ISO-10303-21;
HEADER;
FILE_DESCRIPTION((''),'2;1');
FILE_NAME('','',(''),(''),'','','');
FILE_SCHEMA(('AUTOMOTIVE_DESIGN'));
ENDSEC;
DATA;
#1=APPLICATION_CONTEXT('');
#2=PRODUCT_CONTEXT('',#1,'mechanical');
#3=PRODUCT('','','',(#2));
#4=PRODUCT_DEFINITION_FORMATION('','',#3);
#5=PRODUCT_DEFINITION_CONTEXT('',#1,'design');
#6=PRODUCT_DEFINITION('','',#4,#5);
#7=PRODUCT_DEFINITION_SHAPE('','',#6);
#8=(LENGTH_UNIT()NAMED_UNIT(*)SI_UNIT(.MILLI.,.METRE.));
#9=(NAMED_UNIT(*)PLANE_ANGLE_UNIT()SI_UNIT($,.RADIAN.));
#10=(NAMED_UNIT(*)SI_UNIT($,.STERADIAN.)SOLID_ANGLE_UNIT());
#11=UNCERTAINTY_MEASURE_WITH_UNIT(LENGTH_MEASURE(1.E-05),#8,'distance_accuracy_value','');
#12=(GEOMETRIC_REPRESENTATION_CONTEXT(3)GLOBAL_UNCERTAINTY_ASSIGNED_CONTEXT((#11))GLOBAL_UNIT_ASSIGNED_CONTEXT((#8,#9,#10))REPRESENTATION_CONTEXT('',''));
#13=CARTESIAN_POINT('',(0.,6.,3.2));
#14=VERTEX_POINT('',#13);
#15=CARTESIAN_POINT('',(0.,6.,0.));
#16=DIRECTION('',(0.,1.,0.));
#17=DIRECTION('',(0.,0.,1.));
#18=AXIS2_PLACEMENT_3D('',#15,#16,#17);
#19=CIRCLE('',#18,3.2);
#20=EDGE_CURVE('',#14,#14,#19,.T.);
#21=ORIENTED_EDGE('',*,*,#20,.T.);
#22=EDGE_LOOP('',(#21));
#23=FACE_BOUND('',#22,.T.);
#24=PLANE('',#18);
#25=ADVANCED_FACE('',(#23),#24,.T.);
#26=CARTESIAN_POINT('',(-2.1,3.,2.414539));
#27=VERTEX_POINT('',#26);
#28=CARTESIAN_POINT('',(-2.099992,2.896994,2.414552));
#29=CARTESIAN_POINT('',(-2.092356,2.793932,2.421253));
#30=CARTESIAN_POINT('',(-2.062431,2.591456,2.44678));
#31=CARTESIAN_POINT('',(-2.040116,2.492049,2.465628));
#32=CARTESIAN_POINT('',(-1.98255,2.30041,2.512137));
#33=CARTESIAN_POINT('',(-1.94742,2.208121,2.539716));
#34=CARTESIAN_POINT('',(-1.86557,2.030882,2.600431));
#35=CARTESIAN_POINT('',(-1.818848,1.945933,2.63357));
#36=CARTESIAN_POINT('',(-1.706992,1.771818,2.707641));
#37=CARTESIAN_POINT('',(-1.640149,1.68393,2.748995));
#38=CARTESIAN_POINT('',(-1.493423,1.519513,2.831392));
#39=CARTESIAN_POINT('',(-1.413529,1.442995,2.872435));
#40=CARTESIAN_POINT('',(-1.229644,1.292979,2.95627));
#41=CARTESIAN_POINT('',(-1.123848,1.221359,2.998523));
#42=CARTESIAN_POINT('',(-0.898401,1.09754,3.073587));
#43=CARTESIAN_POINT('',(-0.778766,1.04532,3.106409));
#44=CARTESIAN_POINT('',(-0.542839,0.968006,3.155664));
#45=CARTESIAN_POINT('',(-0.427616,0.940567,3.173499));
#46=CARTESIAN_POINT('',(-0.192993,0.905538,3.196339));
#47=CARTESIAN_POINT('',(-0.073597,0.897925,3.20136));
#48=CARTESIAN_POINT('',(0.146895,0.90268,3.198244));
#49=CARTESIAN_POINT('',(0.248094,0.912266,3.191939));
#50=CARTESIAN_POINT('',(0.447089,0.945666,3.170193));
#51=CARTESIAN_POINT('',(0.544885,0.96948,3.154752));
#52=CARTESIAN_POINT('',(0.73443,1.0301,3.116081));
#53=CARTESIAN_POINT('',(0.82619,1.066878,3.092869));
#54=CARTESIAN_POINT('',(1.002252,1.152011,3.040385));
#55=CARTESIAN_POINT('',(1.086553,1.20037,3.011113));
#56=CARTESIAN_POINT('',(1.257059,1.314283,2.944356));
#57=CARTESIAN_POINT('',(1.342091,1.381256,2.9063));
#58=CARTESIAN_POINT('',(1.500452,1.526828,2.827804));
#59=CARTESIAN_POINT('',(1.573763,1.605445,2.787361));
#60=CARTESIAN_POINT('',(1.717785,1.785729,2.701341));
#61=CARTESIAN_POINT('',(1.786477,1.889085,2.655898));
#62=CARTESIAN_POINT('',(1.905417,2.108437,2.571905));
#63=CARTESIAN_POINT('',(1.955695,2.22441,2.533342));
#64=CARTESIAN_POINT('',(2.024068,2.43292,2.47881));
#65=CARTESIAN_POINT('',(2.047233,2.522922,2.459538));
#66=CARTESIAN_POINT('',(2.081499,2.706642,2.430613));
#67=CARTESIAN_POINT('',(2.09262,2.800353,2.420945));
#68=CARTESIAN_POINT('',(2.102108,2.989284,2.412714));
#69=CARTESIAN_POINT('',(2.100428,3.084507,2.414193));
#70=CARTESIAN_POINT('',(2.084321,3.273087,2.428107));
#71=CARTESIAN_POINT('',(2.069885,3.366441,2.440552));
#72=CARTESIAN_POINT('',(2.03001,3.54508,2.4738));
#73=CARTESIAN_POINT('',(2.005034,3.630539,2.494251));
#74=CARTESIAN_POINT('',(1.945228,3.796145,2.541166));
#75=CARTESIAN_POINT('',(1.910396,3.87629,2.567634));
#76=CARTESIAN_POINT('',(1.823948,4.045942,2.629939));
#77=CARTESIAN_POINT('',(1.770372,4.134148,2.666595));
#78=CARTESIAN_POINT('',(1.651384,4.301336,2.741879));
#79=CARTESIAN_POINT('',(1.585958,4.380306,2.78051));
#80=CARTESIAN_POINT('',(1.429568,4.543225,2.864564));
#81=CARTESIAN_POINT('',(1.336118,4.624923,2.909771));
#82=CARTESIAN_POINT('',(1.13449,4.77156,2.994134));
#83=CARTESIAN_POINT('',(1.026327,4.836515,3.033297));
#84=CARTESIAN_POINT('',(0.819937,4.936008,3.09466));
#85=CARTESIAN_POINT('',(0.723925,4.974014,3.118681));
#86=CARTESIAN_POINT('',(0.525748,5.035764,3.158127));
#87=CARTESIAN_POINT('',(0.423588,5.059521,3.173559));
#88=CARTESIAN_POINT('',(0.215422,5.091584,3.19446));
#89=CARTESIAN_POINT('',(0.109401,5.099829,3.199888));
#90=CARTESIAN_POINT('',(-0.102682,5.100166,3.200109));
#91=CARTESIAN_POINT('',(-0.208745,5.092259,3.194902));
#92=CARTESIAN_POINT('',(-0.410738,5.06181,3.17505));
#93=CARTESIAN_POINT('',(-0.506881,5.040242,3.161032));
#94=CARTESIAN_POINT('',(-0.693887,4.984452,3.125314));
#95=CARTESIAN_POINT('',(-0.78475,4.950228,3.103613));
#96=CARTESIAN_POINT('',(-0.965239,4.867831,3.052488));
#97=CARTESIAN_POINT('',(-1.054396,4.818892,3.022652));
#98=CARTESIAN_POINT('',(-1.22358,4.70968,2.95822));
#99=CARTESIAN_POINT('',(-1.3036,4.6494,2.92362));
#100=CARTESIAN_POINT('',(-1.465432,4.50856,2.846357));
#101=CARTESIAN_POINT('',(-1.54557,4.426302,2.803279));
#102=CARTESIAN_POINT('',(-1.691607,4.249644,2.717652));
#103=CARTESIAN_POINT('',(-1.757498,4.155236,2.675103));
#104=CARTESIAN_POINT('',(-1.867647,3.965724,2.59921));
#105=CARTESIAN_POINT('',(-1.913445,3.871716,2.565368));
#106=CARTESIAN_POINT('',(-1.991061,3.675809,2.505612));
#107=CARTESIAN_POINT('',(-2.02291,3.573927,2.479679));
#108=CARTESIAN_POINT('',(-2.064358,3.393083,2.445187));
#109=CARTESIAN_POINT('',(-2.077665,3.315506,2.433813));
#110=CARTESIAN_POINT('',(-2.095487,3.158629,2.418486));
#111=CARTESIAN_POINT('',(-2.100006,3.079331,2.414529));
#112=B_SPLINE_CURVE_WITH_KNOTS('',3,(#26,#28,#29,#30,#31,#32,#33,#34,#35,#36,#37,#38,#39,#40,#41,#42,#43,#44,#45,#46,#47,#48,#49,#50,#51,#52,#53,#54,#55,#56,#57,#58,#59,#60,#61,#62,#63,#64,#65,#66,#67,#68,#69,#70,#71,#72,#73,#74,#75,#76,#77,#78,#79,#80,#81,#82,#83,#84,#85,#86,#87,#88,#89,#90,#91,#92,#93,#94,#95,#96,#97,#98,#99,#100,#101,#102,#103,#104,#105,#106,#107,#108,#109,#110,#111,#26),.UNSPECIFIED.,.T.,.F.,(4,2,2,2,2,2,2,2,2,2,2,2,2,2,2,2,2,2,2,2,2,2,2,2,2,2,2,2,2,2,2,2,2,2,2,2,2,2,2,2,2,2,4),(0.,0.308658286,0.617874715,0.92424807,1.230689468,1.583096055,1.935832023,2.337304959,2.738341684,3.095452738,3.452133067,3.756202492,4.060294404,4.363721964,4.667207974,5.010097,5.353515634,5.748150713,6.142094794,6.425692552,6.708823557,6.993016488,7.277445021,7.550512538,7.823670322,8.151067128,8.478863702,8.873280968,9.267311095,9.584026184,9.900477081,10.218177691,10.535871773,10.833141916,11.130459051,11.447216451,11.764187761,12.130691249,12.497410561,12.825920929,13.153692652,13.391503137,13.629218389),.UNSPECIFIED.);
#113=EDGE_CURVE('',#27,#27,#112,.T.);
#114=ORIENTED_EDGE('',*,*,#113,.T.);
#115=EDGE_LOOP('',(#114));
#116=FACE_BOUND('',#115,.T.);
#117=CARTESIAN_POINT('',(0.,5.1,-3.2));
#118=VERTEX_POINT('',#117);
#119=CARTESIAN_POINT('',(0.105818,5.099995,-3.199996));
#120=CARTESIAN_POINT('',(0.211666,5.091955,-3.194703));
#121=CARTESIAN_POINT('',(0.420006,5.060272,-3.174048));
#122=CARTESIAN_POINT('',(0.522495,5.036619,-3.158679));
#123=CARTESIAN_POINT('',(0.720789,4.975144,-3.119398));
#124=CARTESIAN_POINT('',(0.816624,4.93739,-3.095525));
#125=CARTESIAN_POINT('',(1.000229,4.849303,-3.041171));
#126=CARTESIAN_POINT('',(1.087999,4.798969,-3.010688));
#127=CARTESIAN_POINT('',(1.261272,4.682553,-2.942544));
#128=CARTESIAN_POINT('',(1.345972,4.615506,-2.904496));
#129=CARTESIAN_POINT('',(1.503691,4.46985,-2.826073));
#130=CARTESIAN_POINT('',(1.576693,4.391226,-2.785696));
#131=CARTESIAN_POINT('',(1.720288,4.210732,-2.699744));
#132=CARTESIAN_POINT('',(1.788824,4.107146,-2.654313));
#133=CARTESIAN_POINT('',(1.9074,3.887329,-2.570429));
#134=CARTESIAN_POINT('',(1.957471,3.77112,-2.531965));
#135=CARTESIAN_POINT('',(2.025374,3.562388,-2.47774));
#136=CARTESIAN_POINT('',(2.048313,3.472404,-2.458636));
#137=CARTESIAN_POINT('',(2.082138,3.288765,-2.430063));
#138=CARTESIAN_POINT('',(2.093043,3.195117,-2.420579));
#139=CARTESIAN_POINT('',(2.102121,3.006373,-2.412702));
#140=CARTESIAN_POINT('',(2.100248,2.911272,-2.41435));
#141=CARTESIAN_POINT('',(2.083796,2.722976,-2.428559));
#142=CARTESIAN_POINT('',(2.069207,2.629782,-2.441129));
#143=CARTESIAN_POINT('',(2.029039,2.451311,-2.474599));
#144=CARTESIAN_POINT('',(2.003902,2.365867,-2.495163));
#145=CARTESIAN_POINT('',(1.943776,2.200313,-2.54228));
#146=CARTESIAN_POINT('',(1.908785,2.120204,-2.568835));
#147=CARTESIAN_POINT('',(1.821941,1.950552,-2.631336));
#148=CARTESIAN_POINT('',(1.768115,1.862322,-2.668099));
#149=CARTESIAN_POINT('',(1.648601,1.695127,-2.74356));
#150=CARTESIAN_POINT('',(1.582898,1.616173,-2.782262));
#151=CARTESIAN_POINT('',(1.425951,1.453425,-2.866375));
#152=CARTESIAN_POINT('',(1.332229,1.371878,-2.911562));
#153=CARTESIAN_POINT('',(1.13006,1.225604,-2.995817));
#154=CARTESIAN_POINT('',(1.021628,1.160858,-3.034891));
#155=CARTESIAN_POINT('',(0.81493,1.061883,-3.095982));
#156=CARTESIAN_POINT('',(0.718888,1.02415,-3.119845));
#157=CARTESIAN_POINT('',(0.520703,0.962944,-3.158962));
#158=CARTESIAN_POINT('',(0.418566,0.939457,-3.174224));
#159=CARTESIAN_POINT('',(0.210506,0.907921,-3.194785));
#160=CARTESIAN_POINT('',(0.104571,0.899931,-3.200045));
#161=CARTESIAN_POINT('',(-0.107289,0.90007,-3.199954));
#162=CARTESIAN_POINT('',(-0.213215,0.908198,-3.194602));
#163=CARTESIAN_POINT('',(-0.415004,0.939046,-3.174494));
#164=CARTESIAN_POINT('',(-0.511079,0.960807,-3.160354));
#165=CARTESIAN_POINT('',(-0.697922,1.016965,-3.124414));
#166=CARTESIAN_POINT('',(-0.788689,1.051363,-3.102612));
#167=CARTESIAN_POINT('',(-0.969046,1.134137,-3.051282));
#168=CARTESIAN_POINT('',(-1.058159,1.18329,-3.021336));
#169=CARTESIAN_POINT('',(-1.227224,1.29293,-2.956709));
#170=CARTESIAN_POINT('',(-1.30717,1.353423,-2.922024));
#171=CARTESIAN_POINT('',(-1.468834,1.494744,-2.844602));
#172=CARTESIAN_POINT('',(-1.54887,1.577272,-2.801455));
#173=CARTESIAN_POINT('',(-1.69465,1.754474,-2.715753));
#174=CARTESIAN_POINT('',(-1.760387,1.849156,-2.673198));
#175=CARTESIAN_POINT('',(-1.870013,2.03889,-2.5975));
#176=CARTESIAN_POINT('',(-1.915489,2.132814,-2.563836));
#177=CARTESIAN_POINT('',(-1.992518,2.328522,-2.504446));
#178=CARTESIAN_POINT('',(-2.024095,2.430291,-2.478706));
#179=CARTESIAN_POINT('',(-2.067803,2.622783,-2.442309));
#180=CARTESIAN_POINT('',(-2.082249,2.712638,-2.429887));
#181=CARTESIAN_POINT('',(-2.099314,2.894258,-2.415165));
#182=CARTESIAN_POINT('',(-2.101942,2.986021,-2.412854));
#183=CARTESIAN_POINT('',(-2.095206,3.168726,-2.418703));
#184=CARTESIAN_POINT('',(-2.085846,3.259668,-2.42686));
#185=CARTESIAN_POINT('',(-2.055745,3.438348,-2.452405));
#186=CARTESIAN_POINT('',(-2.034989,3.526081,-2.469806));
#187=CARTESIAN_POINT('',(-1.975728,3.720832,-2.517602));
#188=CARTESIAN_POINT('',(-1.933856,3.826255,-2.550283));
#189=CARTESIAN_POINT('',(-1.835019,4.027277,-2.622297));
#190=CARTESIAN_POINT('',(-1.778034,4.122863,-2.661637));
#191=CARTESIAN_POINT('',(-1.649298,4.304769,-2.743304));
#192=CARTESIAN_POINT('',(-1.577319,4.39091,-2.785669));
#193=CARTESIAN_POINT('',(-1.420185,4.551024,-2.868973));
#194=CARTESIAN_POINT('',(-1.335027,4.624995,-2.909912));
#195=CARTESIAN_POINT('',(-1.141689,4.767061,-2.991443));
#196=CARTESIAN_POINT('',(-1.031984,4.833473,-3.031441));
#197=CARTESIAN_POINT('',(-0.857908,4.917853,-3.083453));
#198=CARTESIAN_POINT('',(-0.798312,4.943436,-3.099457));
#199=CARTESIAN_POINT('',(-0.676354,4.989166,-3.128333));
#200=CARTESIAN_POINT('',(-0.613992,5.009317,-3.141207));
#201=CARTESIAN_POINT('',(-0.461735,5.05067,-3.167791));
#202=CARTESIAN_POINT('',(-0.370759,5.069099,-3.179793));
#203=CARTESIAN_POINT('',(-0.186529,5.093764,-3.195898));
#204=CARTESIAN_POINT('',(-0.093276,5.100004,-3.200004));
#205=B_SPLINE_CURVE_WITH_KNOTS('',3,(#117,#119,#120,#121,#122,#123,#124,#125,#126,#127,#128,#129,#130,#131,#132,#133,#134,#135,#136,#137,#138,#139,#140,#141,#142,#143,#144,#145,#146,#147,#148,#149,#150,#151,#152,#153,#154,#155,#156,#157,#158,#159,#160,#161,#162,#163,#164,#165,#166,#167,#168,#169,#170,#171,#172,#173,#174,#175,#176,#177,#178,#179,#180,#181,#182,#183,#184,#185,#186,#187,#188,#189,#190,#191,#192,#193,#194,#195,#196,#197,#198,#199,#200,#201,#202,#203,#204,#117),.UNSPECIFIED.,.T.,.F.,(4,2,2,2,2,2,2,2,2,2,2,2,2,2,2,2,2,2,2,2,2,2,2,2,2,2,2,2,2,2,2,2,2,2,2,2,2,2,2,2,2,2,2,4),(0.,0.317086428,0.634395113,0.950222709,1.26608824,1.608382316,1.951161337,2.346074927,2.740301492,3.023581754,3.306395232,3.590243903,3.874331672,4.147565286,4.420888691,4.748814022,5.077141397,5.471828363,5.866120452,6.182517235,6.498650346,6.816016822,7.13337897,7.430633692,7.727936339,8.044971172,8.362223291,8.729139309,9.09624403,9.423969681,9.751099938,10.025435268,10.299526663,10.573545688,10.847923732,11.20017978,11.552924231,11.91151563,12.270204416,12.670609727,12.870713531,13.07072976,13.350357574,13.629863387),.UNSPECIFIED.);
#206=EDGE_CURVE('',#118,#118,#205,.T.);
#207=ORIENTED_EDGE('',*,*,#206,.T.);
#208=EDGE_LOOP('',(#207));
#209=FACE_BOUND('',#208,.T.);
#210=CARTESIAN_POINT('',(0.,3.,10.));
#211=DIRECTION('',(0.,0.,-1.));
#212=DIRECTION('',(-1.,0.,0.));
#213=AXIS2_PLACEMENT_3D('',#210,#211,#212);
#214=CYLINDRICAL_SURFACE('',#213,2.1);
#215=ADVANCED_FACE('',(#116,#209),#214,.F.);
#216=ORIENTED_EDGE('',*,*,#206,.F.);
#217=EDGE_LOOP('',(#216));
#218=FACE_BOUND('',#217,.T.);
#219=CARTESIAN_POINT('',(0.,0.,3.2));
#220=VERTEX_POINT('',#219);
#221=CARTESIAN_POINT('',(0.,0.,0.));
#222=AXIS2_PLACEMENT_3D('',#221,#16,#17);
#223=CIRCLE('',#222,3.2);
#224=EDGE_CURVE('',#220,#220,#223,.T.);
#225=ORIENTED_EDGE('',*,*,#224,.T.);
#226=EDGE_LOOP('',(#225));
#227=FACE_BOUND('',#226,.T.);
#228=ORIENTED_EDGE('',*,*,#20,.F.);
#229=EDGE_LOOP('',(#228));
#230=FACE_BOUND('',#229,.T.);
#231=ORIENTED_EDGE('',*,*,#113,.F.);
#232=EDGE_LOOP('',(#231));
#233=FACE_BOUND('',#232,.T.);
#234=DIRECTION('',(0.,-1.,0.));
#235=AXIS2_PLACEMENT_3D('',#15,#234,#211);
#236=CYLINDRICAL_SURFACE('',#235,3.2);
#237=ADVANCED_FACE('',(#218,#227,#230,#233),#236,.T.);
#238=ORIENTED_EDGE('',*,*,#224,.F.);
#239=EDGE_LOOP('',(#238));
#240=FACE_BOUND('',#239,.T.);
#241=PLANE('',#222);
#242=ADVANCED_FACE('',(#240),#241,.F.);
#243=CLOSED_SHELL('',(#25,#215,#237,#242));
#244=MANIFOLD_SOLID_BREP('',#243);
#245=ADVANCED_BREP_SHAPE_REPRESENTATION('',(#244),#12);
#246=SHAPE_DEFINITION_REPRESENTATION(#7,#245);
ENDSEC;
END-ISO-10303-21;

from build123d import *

# Parameters (mm, degrees)
SKETCH1_R               = 3.2
BOSS_EXTRUDE1_DEPTH     = 6
CUT_EXTRUDE1_DEPTH      = 10
CUT_EXTRUDE1_DEPTH_BACK = 10
SKETCH2_R               = 2.1


with BuildPart() as part:
    # Sketch1 → Boss-Extrude1 (new body)
    with BuildSketch(Plane(origin=(0, 0, 0), x_dir=(1, 0, 0), z_dir=(0, 1, 0))):
        Circle(SKETCH1_R)
    extrude(amount=BOSS_EXTRUDE1_DEPTH)

    # Sketch2 → Cut-Extrude1 (cut, two sides: drawn at the far end of the back side and taken through both)
    with BuildSketch(Plane.XY.offset(-CUT_EXTRUDE1_DEPTH_BACK)):
        with Locations((0, 3)):
            Circle(SKETCH2_R)
    extrude(amount=CUT_EXTRUDE1_DEPTH + CUT_EXTRUDE1_DEPTH_BACK, mode=Mode.SUBTRACT)


solid = part.part
